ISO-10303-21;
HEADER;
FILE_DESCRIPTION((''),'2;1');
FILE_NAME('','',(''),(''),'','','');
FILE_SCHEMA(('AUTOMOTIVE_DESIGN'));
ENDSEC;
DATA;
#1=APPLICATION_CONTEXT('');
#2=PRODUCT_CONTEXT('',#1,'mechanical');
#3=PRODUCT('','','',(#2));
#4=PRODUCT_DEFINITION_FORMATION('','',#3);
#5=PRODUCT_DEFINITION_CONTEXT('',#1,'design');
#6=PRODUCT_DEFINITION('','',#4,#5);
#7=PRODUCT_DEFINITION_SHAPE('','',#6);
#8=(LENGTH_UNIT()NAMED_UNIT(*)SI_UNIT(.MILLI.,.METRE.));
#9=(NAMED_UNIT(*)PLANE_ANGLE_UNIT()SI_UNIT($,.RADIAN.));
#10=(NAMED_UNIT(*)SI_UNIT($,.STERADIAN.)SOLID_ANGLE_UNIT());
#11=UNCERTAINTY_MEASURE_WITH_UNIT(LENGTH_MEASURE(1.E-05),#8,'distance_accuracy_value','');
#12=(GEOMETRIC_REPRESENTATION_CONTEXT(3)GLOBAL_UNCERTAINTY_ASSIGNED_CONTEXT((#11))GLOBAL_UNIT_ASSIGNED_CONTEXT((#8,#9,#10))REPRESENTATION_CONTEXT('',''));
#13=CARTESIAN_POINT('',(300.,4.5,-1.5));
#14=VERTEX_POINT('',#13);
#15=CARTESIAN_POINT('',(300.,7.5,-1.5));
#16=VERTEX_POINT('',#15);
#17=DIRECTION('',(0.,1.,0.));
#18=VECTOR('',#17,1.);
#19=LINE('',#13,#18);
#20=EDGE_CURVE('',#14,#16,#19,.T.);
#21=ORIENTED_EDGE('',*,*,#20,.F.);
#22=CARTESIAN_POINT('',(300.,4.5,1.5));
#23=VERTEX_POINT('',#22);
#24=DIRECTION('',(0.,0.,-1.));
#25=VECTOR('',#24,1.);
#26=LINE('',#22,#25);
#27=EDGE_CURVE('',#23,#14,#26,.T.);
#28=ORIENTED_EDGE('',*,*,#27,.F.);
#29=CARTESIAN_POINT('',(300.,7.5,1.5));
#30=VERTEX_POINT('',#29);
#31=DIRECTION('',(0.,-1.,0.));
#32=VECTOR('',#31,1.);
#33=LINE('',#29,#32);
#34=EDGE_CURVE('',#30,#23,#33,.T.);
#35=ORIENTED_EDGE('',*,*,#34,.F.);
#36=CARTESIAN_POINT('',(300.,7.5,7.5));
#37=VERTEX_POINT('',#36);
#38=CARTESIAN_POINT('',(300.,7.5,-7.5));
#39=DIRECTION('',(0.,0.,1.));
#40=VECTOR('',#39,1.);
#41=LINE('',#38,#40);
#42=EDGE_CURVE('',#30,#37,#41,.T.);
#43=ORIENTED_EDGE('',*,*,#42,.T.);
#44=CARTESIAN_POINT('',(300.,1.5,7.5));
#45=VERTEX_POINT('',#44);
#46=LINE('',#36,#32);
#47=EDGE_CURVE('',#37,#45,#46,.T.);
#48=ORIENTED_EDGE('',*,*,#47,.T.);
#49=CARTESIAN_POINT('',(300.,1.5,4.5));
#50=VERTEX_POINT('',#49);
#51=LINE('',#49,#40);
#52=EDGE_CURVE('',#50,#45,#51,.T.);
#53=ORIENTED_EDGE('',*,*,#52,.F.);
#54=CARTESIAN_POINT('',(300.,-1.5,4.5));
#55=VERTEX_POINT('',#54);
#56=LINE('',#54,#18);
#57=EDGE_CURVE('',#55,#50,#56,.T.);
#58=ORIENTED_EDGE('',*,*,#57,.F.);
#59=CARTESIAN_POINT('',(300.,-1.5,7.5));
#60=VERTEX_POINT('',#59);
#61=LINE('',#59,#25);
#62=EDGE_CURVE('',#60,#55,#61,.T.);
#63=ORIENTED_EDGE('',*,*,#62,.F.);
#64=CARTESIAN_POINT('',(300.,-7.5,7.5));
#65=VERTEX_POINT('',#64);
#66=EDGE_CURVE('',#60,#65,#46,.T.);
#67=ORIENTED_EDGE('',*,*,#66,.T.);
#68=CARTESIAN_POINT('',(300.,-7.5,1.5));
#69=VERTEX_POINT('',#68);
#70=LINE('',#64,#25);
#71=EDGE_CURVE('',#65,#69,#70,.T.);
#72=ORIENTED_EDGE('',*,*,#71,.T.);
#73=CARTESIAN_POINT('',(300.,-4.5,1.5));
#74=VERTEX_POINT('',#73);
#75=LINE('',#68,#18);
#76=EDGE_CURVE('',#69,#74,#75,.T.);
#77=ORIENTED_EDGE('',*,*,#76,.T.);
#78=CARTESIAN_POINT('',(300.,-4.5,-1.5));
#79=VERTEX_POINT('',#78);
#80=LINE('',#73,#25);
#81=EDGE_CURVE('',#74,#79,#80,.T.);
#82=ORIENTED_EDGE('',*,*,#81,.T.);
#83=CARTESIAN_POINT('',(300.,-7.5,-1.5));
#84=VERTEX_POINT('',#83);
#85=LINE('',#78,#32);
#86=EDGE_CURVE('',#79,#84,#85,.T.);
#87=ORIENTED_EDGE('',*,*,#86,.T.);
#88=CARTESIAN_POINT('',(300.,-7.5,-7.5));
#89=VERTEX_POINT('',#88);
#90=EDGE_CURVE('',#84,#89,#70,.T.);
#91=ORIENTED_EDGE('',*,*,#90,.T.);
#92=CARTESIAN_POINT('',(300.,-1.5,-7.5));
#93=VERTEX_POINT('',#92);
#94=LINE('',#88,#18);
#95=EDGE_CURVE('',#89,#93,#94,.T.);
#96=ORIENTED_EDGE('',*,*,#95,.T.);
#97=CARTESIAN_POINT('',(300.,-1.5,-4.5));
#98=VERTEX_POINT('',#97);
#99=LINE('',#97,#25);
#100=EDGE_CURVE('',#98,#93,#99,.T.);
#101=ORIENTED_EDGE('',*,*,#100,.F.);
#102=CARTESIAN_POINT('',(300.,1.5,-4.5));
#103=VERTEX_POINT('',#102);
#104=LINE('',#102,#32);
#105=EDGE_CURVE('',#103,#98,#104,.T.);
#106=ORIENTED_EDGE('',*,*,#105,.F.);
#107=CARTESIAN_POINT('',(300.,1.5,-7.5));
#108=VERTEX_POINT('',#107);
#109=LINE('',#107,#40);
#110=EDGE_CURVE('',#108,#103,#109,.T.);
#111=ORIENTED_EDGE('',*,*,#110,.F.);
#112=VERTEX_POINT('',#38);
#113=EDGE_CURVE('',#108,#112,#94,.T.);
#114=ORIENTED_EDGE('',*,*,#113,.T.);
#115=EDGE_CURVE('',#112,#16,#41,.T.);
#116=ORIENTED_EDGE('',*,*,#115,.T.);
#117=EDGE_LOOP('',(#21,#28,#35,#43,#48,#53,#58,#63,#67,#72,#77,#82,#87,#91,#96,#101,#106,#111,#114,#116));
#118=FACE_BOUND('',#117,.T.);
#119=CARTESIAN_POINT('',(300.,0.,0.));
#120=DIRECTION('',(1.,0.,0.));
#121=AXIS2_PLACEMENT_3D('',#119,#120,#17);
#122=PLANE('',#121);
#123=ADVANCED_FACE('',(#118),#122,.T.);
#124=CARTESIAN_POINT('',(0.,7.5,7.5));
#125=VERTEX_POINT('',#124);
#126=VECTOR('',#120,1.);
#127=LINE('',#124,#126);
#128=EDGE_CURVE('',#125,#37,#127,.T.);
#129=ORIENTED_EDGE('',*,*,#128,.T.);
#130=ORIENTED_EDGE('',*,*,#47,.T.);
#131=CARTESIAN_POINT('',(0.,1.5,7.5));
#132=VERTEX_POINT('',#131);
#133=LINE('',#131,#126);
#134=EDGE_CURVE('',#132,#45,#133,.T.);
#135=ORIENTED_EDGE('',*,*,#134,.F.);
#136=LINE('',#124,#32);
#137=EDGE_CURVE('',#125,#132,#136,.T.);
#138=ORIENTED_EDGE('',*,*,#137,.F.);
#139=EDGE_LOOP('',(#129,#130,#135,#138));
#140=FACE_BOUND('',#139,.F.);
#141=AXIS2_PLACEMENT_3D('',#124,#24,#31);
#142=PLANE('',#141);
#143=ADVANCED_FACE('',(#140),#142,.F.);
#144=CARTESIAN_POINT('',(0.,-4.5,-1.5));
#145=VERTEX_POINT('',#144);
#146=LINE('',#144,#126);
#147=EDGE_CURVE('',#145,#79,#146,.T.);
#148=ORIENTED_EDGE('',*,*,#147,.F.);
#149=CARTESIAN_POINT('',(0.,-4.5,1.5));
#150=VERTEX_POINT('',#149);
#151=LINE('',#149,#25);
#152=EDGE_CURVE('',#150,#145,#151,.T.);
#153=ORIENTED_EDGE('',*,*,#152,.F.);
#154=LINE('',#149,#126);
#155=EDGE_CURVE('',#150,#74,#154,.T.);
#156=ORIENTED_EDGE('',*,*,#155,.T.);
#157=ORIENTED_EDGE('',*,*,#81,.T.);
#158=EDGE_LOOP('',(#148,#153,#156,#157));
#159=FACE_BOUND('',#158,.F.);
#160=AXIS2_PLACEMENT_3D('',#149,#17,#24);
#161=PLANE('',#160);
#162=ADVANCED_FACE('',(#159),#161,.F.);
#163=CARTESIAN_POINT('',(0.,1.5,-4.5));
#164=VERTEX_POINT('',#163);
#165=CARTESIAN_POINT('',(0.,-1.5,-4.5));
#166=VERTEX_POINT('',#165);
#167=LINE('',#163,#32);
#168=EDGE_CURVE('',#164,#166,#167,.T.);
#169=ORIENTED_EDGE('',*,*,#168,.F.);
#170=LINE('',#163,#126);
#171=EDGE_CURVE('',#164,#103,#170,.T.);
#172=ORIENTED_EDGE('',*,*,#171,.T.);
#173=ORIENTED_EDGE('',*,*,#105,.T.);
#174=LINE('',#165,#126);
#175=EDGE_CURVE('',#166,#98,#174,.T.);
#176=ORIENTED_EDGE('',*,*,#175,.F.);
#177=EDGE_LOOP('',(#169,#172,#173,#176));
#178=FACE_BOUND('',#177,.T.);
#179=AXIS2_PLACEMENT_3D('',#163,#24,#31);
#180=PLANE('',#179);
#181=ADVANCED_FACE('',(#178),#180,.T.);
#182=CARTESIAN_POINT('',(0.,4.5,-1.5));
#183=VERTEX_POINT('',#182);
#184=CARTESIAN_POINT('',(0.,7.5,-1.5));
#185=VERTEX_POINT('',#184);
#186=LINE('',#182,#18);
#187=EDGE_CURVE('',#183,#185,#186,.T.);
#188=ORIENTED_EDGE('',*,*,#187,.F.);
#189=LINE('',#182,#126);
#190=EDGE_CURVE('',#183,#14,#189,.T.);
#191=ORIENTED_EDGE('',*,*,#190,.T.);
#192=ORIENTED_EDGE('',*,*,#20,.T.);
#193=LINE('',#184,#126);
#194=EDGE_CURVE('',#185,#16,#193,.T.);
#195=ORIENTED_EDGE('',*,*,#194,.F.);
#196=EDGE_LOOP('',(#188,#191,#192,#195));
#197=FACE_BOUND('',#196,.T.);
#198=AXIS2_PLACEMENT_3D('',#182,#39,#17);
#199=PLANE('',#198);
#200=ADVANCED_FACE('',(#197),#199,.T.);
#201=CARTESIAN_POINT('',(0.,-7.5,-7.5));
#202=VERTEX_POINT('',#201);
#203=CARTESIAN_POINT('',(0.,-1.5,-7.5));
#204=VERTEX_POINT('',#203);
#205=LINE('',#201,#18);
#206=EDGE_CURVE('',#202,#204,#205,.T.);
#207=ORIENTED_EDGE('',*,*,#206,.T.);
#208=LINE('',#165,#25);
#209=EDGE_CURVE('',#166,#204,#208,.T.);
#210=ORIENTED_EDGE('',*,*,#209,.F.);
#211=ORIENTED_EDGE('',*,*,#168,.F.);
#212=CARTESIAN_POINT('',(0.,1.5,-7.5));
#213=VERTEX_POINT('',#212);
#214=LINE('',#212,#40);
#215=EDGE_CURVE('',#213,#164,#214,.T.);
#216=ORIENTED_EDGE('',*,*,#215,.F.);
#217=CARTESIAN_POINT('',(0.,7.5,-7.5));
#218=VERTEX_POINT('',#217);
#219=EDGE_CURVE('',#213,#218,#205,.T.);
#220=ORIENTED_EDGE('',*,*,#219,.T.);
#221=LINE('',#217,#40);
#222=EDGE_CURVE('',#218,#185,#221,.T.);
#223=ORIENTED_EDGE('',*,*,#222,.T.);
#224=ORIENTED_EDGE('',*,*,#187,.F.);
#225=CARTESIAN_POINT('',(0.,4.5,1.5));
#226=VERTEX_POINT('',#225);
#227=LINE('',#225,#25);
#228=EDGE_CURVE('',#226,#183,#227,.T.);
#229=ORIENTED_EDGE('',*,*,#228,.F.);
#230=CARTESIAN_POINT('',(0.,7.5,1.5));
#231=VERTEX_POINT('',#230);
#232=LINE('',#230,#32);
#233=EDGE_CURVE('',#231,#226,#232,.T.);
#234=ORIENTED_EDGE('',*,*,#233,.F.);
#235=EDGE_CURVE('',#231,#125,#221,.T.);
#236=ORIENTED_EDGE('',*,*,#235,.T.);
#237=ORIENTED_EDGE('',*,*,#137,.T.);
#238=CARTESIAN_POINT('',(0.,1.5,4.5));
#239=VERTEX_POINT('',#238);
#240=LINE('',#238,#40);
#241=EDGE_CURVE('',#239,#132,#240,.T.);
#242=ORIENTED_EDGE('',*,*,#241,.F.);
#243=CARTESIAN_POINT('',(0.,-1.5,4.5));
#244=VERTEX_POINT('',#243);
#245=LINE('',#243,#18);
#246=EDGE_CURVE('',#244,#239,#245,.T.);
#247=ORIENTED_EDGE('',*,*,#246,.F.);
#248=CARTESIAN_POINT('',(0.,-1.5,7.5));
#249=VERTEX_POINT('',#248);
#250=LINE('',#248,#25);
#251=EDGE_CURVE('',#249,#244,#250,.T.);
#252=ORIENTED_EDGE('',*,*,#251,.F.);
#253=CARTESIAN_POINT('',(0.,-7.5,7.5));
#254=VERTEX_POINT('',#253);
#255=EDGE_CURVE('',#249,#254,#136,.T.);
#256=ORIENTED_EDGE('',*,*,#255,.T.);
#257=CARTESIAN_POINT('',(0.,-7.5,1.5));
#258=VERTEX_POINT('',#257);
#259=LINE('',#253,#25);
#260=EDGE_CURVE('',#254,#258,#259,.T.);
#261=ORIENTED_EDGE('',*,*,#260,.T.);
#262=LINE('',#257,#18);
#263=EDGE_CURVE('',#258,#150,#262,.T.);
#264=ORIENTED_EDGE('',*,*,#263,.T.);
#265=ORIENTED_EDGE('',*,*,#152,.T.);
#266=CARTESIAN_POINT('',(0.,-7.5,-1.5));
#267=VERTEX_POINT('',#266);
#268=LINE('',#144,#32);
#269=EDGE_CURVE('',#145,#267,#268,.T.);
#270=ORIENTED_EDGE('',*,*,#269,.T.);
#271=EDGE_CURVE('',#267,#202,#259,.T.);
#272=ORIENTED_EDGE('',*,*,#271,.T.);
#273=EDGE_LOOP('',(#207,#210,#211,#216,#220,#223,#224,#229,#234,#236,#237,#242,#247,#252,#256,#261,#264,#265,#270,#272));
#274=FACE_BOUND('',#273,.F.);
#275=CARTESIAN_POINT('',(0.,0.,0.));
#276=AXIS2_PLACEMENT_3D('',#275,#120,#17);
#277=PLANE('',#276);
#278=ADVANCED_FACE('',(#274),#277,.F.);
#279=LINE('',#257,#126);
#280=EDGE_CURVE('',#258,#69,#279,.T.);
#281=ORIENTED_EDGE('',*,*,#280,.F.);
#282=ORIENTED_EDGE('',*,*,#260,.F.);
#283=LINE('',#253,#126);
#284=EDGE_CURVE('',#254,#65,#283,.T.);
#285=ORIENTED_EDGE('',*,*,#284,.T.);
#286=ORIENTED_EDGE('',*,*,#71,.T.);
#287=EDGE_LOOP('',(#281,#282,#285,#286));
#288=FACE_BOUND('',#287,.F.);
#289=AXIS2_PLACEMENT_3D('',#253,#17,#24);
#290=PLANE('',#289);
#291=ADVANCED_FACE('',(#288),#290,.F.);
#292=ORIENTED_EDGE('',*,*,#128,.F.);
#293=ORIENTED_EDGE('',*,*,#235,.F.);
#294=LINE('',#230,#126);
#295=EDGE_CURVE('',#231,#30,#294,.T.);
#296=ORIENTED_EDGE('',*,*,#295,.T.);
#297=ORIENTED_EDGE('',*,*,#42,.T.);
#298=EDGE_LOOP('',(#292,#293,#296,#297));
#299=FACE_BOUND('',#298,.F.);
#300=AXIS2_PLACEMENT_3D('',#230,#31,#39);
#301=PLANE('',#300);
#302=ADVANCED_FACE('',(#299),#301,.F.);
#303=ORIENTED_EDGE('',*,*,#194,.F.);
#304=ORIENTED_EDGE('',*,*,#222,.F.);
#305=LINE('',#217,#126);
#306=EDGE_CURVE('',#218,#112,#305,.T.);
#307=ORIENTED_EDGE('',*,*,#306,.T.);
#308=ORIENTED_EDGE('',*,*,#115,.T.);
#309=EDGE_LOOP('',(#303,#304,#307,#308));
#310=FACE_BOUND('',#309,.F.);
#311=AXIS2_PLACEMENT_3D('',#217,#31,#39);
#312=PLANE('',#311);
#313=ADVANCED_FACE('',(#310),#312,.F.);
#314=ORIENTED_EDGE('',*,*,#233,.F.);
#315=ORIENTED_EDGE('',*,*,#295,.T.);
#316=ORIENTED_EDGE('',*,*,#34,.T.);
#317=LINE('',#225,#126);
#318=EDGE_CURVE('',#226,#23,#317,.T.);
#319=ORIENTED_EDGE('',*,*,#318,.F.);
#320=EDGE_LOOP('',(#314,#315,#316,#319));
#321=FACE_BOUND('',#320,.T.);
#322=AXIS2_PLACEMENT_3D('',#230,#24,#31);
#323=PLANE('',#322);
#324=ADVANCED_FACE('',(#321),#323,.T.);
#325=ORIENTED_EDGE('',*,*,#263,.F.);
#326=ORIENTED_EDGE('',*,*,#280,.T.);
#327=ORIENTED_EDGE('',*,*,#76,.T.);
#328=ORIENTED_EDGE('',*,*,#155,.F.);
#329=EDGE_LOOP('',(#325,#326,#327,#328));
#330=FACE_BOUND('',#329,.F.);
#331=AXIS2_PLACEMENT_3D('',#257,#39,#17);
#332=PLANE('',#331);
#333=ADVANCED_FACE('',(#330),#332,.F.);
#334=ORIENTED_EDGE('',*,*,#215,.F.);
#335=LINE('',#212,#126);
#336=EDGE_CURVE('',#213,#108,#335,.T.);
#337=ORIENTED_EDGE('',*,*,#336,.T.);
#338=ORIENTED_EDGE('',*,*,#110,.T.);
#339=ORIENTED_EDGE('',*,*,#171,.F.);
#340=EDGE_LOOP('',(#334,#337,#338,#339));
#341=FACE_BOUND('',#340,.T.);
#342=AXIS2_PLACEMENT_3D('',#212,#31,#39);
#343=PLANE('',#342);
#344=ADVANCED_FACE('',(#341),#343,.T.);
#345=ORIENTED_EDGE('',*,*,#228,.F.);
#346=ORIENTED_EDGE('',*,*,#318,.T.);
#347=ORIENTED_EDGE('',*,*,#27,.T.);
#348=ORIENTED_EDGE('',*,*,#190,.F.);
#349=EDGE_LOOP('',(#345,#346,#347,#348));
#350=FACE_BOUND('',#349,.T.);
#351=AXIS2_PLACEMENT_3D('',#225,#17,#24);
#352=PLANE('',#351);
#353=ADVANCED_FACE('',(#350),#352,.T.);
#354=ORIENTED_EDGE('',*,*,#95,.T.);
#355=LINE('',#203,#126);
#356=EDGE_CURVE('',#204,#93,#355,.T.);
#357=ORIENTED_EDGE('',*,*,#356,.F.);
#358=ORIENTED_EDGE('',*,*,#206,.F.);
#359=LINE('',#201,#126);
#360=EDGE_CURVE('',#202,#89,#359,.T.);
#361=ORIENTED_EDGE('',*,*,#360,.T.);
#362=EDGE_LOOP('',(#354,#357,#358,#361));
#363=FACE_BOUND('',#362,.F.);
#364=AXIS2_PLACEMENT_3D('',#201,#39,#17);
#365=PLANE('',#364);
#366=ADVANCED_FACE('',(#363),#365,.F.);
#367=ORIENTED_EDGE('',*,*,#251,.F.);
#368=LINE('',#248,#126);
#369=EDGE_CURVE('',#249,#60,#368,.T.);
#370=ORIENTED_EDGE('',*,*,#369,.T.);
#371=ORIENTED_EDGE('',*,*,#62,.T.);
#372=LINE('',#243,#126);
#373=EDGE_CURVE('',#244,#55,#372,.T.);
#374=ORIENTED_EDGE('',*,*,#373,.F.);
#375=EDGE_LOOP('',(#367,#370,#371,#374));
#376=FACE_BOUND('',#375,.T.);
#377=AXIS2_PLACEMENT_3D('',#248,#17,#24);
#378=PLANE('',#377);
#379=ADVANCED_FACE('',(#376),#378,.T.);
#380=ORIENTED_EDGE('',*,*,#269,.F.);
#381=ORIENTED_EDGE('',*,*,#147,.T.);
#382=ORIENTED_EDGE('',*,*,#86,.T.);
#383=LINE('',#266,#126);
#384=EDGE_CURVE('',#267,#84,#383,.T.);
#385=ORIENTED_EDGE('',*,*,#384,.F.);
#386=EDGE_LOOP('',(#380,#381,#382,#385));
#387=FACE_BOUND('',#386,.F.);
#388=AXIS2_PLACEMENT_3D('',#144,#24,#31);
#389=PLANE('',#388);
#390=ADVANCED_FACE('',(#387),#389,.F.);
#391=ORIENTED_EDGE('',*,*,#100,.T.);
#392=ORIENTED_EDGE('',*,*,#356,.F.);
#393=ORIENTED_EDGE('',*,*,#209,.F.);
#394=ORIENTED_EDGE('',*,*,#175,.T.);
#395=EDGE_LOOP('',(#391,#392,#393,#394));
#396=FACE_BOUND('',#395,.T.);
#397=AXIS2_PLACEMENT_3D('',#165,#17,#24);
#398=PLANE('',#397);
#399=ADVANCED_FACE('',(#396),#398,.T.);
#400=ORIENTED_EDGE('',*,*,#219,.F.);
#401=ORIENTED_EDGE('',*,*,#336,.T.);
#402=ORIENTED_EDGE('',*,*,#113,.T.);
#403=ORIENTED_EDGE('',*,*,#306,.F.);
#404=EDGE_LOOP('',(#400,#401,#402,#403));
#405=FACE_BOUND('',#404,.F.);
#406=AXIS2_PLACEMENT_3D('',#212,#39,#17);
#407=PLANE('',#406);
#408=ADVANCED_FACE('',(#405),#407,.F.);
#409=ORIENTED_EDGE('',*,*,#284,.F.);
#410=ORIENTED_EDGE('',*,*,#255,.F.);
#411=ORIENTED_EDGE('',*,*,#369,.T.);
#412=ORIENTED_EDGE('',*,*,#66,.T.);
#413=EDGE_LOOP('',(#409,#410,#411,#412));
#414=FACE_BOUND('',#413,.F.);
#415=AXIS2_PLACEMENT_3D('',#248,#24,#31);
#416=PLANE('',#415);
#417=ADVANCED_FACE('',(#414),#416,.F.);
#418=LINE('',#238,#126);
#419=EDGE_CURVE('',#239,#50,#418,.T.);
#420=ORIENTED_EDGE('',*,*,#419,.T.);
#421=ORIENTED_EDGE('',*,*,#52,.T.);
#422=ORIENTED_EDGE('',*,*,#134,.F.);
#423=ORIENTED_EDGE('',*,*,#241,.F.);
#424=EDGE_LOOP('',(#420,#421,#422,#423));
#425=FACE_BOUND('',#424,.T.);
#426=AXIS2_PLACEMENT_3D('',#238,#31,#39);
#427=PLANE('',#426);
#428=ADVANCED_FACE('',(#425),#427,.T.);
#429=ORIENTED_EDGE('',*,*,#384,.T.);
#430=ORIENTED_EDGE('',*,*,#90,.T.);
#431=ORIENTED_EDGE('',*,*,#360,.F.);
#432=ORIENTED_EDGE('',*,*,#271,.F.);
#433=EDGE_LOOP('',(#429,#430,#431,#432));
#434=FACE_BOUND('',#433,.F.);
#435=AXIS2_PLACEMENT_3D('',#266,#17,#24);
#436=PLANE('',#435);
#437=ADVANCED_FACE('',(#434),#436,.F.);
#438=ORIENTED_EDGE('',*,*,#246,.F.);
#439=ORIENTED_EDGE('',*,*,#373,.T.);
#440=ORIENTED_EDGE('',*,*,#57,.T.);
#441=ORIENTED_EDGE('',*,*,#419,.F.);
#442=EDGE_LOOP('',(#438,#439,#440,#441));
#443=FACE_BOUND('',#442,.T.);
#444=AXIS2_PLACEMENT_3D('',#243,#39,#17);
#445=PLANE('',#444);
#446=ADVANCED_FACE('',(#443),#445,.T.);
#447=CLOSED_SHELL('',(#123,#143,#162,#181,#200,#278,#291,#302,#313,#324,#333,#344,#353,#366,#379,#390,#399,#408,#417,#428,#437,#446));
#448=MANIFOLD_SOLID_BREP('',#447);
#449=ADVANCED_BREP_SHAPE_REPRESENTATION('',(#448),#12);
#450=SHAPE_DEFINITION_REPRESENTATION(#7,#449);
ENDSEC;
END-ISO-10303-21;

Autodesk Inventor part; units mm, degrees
ref_plane "YZ Plane" through (0, 0, 0) normal (1, 0, 0) x (0, 1, 0)
ref_plane "XZ Plane" through (0, 0, 0) normal (0, 1, 0) x (-1, 0, 0)
ref_plane "XY Plane" through (0, 0, 0) normal (0, 0, 1) x (1, 0, 0)
sketch "Sketch1" plane through (0, 0, 0) normal (1, 0, 0) x (0, 1, 0)
  line L0 (-7.5, -7.5) -> (7.5, -7.5)
  line L1 (7.5, -7.5) -> (7.5, 7.5)
  line L2 (7.5, 7.5) -> (-7.5, 7.5)
  line L3 (-7.5, 7.5) -> (-7.5, -7.5)
  line L4 (-7.5, -7.5) -> (7.5, 7.5) construction
  line L5 (7.5, -7.5) -> (-7.5, 7.5) construction
  line L6 (7.5, 1.5) -> (4.5, 1.5)
  line L7 (4.5, 1.5) -> (4.5, -1.5)
  line L8 (4.5, -1.5) -> (7.5, -1.5)
  line L9 (7.5, -1.5) -> (7.5, 1.5)
  line L10 (1.5, 7.5) -> (-1.5, 7.5)
  line L11 (-1.5, 7.5) -> (-1.5, 4.5)
  line L12 (-1.5, 4.5) -> (1.5, 4.5)
  line L13 (1.5, 4.5) -> (1.5, 7.5)
  line L14 (-7.5, 1.5) -> (-4.5, 1.5)
  line L15 (-4.5, 1.5) -> (-4.5, -1.5)
  line L16 (-4.5, -1.5) -> (-7.5, -1.5)
  line L17 (-7.5, -1.5) -> (-7.5, 1.5)
  line L18 (-1.5, -7.5) -> (1.5, -7.5)
  line L19 (1.5, -7.5) -> (1.5, -4.5)
  line L20 (1.5, -4.5) -> (-1.5, -4.5)
  line L21 (-1.5, -4.5) -> (-1.5, -7.5)
  point P0 (0, 0)
  dimension "d0" = 15
  dimension "d1" = 3
  dimension "d2" = 3
  dimension "d3" = 1.5
  dimension "d4" = 1.5
extrude "Extrusion1" add sketch "Sketch1" along normal blind 300 contours L3 L16 L15 L14 L2 L11 L12 L13 L1 L6 L7 L8 L0 L19 L20 L21
equation "\"d3\" = 0.5 * d2"
equation "\"d4\" = d3"
properties part number "Beam_300mm" material "Aluminum 6061"
